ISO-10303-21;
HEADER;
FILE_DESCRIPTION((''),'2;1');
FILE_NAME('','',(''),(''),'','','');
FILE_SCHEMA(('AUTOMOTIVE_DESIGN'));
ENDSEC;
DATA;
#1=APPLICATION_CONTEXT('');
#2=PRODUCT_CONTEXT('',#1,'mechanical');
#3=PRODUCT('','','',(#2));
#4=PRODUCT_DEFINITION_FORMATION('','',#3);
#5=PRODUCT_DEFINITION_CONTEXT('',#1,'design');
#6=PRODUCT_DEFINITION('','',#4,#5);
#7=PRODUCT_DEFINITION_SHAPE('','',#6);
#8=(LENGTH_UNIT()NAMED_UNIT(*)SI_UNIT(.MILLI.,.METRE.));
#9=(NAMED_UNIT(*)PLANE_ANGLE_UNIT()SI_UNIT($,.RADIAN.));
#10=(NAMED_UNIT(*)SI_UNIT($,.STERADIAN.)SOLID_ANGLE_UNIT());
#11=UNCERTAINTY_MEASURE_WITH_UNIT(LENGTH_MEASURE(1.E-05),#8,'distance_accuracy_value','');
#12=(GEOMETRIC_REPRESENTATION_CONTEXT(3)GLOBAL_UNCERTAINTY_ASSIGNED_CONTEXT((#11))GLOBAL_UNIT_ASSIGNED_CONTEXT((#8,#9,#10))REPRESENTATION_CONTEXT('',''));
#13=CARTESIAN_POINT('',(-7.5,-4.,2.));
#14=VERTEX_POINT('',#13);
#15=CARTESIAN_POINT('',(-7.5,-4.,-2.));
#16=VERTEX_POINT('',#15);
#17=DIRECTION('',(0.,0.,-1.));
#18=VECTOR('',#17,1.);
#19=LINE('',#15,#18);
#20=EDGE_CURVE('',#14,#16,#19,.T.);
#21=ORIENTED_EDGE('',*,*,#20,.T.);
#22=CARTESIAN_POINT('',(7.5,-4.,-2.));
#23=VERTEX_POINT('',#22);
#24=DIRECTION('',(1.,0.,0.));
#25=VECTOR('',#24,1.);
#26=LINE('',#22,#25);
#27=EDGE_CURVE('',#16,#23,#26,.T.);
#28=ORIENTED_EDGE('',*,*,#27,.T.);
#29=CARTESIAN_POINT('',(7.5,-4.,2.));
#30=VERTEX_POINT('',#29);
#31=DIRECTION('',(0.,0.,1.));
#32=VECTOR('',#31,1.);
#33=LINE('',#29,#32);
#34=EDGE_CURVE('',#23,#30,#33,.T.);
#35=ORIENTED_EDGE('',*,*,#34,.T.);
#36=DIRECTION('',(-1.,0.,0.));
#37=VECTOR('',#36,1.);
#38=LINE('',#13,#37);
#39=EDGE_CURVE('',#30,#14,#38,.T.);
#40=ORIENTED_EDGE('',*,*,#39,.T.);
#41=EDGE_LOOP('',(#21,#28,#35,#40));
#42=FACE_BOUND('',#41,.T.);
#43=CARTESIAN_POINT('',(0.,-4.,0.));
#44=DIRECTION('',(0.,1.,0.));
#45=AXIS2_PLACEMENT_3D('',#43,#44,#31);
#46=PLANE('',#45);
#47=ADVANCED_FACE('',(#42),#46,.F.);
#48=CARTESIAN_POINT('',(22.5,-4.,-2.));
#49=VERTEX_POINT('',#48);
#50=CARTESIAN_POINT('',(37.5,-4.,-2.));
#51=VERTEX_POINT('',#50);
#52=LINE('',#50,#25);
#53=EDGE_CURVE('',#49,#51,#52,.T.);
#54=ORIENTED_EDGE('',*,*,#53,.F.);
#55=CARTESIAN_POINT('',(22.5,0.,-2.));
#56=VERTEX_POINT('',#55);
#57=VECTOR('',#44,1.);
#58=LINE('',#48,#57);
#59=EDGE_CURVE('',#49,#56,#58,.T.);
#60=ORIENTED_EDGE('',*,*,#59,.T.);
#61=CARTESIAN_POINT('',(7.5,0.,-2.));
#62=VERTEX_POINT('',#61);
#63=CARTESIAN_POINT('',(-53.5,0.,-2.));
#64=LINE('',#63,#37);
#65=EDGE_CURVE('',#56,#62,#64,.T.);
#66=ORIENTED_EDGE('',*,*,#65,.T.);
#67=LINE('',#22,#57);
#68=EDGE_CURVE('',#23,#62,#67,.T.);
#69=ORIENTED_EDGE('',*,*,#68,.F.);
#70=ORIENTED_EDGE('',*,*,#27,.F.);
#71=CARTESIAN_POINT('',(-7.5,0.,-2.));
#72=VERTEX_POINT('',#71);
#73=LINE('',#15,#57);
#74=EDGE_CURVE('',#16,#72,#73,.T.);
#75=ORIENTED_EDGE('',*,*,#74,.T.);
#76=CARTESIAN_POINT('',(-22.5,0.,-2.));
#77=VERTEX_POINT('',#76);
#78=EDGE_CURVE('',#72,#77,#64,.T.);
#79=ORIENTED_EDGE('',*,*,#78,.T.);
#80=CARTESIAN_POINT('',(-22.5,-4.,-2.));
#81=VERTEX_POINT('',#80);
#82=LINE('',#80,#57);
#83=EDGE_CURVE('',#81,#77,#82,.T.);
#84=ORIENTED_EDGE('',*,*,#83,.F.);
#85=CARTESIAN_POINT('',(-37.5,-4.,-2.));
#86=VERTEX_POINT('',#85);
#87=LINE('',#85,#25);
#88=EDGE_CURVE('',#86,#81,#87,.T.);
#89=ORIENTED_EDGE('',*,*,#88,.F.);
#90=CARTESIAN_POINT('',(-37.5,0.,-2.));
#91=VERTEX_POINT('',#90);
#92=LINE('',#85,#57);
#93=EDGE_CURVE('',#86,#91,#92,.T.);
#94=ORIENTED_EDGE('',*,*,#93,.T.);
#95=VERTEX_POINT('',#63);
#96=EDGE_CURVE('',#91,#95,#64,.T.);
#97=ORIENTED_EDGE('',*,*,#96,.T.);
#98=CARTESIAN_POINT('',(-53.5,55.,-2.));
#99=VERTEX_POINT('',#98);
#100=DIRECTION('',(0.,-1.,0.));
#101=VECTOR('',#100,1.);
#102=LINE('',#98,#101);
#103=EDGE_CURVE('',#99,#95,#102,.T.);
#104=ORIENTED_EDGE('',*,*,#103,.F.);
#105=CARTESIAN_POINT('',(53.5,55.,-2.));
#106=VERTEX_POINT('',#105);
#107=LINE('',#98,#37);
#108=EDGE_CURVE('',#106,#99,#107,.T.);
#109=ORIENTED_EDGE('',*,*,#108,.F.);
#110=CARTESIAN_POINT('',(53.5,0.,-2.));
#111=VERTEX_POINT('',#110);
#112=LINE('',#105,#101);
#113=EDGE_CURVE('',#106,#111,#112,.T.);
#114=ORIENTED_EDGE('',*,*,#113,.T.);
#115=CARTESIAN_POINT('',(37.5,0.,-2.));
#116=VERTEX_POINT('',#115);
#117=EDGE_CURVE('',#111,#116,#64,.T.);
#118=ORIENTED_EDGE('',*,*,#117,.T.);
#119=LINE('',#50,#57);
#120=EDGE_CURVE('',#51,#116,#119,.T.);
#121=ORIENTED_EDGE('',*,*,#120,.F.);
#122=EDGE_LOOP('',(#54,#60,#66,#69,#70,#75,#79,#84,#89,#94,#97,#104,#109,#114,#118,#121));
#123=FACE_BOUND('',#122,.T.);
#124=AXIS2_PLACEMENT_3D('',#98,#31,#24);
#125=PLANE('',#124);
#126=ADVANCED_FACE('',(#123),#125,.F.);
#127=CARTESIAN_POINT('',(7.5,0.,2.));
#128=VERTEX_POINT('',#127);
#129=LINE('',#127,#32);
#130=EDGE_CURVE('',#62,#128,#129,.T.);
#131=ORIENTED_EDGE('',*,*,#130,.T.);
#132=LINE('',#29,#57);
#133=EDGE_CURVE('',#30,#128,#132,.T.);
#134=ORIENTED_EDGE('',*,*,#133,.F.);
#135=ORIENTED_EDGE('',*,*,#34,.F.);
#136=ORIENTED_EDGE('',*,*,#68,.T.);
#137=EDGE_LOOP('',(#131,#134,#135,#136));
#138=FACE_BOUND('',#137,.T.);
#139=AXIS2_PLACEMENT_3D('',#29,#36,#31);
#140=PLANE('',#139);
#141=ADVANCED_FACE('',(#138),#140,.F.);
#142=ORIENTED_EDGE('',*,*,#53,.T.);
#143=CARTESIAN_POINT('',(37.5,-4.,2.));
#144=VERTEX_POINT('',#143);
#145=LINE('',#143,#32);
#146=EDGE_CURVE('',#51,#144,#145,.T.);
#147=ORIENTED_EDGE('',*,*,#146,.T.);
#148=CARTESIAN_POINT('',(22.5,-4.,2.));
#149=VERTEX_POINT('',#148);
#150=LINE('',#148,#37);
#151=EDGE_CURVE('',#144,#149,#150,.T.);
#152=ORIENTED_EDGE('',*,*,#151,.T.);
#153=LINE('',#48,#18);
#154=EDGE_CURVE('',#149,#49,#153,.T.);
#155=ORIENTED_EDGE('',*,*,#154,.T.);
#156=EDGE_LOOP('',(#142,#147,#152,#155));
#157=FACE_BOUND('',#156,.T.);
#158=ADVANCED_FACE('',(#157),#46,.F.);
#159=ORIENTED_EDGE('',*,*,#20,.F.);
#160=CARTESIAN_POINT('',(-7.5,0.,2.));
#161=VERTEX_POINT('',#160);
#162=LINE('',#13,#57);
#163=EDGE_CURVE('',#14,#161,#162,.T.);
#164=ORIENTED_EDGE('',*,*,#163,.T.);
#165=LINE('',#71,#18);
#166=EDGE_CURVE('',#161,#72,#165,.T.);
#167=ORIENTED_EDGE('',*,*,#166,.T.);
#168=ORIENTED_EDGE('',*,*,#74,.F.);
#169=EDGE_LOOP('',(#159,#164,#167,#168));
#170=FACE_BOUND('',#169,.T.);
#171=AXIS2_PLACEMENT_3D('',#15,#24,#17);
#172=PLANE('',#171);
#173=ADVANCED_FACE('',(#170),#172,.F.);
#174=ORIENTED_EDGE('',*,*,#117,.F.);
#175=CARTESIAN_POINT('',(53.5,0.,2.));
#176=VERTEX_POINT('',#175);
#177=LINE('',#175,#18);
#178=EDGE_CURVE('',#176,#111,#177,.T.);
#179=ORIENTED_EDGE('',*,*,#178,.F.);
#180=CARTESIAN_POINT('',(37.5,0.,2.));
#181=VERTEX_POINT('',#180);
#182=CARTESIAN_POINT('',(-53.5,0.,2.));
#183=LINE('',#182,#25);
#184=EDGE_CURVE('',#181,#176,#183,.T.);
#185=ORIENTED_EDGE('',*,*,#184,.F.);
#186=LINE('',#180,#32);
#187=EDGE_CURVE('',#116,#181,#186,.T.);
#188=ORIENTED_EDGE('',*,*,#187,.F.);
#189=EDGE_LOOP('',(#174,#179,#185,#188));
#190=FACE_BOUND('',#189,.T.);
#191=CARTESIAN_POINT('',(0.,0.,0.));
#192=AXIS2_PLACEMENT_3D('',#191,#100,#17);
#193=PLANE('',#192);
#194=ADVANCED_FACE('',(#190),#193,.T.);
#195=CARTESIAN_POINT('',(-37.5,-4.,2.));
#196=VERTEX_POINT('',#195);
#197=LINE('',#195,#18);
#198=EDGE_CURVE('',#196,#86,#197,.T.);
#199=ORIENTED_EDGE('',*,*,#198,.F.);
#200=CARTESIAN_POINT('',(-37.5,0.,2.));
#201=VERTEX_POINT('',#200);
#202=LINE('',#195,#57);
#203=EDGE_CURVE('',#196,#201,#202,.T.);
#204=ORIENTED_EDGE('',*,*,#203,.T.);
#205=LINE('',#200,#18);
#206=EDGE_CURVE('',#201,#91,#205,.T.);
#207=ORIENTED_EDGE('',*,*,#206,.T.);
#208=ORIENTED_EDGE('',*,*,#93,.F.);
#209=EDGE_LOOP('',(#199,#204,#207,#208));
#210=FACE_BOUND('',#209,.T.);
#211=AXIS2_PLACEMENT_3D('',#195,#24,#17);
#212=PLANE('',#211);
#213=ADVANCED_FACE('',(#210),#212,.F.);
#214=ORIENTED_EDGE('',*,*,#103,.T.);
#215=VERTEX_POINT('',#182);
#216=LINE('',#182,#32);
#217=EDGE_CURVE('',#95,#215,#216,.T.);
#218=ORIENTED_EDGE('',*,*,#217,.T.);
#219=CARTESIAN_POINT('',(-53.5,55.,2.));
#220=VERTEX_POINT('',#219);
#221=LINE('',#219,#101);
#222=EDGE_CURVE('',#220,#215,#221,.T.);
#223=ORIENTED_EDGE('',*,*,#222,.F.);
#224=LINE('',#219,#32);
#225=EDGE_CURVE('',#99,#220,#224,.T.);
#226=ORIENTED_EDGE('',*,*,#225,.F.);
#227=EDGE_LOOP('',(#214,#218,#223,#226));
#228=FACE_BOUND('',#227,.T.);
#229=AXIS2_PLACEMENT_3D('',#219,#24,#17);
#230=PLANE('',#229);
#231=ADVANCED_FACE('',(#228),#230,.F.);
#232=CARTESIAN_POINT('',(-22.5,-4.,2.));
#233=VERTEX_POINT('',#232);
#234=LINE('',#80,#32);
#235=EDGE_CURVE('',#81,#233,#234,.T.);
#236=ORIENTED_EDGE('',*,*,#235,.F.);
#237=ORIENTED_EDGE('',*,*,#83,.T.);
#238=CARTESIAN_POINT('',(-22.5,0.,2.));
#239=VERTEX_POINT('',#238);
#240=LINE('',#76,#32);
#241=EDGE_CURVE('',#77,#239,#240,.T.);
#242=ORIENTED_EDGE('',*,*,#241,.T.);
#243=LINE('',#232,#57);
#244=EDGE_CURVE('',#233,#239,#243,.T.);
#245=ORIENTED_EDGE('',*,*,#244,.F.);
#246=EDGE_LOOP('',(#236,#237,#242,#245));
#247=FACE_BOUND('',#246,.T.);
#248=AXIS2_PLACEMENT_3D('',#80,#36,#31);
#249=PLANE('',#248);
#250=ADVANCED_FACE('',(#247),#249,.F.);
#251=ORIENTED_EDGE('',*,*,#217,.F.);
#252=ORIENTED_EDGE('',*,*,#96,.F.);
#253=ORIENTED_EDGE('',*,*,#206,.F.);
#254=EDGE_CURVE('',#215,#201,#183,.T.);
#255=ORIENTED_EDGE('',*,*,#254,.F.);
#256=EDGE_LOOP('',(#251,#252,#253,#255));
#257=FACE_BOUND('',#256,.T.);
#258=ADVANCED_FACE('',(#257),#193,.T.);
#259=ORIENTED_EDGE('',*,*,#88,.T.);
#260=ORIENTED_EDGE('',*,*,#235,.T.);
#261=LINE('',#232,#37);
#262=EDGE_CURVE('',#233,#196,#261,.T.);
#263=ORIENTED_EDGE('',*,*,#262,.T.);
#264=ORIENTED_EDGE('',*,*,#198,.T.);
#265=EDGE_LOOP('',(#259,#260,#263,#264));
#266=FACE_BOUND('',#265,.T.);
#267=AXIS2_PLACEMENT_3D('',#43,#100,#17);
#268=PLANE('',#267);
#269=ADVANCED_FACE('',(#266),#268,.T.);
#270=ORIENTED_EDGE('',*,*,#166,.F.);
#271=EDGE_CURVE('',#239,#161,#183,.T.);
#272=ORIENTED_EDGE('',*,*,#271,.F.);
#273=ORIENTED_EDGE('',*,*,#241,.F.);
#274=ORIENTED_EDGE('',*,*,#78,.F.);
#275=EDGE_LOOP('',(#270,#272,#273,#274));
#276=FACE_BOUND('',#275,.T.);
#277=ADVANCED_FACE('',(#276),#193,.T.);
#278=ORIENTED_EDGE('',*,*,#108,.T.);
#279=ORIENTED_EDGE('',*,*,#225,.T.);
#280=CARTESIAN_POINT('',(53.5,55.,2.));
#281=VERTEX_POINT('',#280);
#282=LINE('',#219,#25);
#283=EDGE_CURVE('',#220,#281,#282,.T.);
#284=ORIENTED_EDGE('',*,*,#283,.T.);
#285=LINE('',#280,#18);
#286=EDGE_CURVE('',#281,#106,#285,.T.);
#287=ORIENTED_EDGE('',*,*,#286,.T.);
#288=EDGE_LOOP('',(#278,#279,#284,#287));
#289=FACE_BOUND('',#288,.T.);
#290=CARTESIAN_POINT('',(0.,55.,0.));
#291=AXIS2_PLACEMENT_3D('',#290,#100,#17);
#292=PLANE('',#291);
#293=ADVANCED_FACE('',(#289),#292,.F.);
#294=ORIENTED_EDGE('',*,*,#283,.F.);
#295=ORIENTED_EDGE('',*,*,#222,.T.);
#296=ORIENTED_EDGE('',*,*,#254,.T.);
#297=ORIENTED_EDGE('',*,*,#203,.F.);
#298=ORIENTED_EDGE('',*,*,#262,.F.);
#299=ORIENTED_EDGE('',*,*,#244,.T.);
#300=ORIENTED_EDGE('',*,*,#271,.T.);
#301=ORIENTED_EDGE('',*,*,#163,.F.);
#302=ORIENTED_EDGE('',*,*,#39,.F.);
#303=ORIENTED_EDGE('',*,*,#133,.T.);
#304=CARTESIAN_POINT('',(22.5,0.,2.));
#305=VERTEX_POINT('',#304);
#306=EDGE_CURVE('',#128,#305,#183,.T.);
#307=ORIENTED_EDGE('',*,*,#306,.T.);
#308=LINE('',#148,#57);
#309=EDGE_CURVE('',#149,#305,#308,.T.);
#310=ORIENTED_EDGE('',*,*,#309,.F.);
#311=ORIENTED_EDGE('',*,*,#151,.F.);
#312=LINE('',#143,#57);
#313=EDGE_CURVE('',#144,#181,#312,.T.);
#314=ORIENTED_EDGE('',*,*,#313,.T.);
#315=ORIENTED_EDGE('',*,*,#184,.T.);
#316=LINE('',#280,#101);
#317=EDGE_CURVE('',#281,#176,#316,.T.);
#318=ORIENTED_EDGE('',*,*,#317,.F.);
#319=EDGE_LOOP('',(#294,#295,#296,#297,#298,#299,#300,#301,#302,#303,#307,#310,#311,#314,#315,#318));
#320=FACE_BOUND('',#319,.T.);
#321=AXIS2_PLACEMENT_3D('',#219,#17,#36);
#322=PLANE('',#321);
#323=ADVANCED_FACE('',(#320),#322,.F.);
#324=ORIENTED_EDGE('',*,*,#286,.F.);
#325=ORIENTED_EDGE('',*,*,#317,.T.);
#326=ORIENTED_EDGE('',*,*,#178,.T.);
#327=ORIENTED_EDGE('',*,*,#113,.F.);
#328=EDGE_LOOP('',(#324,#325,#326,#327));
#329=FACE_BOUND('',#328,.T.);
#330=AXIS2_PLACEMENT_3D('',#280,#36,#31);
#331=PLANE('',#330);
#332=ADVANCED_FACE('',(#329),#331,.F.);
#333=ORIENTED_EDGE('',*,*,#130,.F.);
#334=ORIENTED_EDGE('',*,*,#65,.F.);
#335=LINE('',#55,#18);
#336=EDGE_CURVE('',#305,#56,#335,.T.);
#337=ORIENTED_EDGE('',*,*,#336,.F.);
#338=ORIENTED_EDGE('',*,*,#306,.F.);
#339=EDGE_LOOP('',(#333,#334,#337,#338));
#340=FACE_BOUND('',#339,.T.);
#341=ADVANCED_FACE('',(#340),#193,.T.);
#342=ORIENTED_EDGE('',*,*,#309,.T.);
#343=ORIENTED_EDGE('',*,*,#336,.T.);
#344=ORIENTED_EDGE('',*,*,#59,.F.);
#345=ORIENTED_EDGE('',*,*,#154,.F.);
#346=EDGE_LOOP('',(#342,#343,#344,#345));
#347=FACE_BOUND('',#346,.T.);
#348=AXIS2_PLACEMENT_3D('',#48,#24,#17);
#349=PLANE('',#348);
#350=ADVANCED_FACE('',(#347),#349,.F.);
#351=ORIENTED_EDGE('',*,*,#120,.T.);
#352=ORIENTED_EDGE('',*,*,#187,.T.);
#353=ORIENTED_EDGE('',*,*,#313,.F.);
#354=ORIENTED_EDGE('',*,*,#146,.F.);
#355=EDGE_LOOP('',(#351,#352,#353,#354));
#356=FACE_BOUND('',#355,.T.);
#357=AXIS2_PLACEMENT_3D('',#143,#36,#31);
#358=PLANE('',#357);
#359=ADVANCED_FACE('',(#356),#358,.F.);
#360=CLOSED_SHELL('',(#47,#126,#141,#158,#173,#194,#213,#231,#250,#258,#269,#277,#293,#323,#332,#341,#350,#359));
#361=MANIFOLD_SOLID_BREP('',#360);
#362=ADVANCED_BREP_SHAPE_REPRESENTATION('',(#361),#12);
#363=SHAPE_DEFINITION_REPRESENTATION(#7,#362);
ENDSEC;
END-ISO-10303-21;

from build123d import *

# Parameters (mm, degrees)
SKETCH1_W           = 107
SKETCH1_H           = 4
BOSS_EXTRUDE1_DEPTH = 55
SKETCH2_W           = 15
SKETCH2_H           = 4
BOSS_EXTRUDE2_DEPTH = 4


with BuildPart() as part:
    # Sketch1 → Boss-Extrude1 (new body)
    with BuildSketch(Plane(origin=(0, 0, 0), x_dir=(1, 0, 0), z_dir=(0, 1, 0))):
        Rectangle(SKETCH1_W, SKETCH1_H)
    extrude(amount=BOSS_EXTRUDE1_DEPTH)

    # Sketch2 → Boss-Extrude2 (add)
    with BuildSketch(Plane.XZ):
        with Locations((-30, 0)):
            Rectangle(SKETCH2_W, SKETCH2_H)
        Rectangle(SKETCH2_W, SKETCH2_H)
        with Locations((30, 0)):
            Rectangle(SKETCH2_W, SKETCH2_H)
    extrude(amount=BOSS_EXTRUDE2_DEPTH)


solid = part.part
